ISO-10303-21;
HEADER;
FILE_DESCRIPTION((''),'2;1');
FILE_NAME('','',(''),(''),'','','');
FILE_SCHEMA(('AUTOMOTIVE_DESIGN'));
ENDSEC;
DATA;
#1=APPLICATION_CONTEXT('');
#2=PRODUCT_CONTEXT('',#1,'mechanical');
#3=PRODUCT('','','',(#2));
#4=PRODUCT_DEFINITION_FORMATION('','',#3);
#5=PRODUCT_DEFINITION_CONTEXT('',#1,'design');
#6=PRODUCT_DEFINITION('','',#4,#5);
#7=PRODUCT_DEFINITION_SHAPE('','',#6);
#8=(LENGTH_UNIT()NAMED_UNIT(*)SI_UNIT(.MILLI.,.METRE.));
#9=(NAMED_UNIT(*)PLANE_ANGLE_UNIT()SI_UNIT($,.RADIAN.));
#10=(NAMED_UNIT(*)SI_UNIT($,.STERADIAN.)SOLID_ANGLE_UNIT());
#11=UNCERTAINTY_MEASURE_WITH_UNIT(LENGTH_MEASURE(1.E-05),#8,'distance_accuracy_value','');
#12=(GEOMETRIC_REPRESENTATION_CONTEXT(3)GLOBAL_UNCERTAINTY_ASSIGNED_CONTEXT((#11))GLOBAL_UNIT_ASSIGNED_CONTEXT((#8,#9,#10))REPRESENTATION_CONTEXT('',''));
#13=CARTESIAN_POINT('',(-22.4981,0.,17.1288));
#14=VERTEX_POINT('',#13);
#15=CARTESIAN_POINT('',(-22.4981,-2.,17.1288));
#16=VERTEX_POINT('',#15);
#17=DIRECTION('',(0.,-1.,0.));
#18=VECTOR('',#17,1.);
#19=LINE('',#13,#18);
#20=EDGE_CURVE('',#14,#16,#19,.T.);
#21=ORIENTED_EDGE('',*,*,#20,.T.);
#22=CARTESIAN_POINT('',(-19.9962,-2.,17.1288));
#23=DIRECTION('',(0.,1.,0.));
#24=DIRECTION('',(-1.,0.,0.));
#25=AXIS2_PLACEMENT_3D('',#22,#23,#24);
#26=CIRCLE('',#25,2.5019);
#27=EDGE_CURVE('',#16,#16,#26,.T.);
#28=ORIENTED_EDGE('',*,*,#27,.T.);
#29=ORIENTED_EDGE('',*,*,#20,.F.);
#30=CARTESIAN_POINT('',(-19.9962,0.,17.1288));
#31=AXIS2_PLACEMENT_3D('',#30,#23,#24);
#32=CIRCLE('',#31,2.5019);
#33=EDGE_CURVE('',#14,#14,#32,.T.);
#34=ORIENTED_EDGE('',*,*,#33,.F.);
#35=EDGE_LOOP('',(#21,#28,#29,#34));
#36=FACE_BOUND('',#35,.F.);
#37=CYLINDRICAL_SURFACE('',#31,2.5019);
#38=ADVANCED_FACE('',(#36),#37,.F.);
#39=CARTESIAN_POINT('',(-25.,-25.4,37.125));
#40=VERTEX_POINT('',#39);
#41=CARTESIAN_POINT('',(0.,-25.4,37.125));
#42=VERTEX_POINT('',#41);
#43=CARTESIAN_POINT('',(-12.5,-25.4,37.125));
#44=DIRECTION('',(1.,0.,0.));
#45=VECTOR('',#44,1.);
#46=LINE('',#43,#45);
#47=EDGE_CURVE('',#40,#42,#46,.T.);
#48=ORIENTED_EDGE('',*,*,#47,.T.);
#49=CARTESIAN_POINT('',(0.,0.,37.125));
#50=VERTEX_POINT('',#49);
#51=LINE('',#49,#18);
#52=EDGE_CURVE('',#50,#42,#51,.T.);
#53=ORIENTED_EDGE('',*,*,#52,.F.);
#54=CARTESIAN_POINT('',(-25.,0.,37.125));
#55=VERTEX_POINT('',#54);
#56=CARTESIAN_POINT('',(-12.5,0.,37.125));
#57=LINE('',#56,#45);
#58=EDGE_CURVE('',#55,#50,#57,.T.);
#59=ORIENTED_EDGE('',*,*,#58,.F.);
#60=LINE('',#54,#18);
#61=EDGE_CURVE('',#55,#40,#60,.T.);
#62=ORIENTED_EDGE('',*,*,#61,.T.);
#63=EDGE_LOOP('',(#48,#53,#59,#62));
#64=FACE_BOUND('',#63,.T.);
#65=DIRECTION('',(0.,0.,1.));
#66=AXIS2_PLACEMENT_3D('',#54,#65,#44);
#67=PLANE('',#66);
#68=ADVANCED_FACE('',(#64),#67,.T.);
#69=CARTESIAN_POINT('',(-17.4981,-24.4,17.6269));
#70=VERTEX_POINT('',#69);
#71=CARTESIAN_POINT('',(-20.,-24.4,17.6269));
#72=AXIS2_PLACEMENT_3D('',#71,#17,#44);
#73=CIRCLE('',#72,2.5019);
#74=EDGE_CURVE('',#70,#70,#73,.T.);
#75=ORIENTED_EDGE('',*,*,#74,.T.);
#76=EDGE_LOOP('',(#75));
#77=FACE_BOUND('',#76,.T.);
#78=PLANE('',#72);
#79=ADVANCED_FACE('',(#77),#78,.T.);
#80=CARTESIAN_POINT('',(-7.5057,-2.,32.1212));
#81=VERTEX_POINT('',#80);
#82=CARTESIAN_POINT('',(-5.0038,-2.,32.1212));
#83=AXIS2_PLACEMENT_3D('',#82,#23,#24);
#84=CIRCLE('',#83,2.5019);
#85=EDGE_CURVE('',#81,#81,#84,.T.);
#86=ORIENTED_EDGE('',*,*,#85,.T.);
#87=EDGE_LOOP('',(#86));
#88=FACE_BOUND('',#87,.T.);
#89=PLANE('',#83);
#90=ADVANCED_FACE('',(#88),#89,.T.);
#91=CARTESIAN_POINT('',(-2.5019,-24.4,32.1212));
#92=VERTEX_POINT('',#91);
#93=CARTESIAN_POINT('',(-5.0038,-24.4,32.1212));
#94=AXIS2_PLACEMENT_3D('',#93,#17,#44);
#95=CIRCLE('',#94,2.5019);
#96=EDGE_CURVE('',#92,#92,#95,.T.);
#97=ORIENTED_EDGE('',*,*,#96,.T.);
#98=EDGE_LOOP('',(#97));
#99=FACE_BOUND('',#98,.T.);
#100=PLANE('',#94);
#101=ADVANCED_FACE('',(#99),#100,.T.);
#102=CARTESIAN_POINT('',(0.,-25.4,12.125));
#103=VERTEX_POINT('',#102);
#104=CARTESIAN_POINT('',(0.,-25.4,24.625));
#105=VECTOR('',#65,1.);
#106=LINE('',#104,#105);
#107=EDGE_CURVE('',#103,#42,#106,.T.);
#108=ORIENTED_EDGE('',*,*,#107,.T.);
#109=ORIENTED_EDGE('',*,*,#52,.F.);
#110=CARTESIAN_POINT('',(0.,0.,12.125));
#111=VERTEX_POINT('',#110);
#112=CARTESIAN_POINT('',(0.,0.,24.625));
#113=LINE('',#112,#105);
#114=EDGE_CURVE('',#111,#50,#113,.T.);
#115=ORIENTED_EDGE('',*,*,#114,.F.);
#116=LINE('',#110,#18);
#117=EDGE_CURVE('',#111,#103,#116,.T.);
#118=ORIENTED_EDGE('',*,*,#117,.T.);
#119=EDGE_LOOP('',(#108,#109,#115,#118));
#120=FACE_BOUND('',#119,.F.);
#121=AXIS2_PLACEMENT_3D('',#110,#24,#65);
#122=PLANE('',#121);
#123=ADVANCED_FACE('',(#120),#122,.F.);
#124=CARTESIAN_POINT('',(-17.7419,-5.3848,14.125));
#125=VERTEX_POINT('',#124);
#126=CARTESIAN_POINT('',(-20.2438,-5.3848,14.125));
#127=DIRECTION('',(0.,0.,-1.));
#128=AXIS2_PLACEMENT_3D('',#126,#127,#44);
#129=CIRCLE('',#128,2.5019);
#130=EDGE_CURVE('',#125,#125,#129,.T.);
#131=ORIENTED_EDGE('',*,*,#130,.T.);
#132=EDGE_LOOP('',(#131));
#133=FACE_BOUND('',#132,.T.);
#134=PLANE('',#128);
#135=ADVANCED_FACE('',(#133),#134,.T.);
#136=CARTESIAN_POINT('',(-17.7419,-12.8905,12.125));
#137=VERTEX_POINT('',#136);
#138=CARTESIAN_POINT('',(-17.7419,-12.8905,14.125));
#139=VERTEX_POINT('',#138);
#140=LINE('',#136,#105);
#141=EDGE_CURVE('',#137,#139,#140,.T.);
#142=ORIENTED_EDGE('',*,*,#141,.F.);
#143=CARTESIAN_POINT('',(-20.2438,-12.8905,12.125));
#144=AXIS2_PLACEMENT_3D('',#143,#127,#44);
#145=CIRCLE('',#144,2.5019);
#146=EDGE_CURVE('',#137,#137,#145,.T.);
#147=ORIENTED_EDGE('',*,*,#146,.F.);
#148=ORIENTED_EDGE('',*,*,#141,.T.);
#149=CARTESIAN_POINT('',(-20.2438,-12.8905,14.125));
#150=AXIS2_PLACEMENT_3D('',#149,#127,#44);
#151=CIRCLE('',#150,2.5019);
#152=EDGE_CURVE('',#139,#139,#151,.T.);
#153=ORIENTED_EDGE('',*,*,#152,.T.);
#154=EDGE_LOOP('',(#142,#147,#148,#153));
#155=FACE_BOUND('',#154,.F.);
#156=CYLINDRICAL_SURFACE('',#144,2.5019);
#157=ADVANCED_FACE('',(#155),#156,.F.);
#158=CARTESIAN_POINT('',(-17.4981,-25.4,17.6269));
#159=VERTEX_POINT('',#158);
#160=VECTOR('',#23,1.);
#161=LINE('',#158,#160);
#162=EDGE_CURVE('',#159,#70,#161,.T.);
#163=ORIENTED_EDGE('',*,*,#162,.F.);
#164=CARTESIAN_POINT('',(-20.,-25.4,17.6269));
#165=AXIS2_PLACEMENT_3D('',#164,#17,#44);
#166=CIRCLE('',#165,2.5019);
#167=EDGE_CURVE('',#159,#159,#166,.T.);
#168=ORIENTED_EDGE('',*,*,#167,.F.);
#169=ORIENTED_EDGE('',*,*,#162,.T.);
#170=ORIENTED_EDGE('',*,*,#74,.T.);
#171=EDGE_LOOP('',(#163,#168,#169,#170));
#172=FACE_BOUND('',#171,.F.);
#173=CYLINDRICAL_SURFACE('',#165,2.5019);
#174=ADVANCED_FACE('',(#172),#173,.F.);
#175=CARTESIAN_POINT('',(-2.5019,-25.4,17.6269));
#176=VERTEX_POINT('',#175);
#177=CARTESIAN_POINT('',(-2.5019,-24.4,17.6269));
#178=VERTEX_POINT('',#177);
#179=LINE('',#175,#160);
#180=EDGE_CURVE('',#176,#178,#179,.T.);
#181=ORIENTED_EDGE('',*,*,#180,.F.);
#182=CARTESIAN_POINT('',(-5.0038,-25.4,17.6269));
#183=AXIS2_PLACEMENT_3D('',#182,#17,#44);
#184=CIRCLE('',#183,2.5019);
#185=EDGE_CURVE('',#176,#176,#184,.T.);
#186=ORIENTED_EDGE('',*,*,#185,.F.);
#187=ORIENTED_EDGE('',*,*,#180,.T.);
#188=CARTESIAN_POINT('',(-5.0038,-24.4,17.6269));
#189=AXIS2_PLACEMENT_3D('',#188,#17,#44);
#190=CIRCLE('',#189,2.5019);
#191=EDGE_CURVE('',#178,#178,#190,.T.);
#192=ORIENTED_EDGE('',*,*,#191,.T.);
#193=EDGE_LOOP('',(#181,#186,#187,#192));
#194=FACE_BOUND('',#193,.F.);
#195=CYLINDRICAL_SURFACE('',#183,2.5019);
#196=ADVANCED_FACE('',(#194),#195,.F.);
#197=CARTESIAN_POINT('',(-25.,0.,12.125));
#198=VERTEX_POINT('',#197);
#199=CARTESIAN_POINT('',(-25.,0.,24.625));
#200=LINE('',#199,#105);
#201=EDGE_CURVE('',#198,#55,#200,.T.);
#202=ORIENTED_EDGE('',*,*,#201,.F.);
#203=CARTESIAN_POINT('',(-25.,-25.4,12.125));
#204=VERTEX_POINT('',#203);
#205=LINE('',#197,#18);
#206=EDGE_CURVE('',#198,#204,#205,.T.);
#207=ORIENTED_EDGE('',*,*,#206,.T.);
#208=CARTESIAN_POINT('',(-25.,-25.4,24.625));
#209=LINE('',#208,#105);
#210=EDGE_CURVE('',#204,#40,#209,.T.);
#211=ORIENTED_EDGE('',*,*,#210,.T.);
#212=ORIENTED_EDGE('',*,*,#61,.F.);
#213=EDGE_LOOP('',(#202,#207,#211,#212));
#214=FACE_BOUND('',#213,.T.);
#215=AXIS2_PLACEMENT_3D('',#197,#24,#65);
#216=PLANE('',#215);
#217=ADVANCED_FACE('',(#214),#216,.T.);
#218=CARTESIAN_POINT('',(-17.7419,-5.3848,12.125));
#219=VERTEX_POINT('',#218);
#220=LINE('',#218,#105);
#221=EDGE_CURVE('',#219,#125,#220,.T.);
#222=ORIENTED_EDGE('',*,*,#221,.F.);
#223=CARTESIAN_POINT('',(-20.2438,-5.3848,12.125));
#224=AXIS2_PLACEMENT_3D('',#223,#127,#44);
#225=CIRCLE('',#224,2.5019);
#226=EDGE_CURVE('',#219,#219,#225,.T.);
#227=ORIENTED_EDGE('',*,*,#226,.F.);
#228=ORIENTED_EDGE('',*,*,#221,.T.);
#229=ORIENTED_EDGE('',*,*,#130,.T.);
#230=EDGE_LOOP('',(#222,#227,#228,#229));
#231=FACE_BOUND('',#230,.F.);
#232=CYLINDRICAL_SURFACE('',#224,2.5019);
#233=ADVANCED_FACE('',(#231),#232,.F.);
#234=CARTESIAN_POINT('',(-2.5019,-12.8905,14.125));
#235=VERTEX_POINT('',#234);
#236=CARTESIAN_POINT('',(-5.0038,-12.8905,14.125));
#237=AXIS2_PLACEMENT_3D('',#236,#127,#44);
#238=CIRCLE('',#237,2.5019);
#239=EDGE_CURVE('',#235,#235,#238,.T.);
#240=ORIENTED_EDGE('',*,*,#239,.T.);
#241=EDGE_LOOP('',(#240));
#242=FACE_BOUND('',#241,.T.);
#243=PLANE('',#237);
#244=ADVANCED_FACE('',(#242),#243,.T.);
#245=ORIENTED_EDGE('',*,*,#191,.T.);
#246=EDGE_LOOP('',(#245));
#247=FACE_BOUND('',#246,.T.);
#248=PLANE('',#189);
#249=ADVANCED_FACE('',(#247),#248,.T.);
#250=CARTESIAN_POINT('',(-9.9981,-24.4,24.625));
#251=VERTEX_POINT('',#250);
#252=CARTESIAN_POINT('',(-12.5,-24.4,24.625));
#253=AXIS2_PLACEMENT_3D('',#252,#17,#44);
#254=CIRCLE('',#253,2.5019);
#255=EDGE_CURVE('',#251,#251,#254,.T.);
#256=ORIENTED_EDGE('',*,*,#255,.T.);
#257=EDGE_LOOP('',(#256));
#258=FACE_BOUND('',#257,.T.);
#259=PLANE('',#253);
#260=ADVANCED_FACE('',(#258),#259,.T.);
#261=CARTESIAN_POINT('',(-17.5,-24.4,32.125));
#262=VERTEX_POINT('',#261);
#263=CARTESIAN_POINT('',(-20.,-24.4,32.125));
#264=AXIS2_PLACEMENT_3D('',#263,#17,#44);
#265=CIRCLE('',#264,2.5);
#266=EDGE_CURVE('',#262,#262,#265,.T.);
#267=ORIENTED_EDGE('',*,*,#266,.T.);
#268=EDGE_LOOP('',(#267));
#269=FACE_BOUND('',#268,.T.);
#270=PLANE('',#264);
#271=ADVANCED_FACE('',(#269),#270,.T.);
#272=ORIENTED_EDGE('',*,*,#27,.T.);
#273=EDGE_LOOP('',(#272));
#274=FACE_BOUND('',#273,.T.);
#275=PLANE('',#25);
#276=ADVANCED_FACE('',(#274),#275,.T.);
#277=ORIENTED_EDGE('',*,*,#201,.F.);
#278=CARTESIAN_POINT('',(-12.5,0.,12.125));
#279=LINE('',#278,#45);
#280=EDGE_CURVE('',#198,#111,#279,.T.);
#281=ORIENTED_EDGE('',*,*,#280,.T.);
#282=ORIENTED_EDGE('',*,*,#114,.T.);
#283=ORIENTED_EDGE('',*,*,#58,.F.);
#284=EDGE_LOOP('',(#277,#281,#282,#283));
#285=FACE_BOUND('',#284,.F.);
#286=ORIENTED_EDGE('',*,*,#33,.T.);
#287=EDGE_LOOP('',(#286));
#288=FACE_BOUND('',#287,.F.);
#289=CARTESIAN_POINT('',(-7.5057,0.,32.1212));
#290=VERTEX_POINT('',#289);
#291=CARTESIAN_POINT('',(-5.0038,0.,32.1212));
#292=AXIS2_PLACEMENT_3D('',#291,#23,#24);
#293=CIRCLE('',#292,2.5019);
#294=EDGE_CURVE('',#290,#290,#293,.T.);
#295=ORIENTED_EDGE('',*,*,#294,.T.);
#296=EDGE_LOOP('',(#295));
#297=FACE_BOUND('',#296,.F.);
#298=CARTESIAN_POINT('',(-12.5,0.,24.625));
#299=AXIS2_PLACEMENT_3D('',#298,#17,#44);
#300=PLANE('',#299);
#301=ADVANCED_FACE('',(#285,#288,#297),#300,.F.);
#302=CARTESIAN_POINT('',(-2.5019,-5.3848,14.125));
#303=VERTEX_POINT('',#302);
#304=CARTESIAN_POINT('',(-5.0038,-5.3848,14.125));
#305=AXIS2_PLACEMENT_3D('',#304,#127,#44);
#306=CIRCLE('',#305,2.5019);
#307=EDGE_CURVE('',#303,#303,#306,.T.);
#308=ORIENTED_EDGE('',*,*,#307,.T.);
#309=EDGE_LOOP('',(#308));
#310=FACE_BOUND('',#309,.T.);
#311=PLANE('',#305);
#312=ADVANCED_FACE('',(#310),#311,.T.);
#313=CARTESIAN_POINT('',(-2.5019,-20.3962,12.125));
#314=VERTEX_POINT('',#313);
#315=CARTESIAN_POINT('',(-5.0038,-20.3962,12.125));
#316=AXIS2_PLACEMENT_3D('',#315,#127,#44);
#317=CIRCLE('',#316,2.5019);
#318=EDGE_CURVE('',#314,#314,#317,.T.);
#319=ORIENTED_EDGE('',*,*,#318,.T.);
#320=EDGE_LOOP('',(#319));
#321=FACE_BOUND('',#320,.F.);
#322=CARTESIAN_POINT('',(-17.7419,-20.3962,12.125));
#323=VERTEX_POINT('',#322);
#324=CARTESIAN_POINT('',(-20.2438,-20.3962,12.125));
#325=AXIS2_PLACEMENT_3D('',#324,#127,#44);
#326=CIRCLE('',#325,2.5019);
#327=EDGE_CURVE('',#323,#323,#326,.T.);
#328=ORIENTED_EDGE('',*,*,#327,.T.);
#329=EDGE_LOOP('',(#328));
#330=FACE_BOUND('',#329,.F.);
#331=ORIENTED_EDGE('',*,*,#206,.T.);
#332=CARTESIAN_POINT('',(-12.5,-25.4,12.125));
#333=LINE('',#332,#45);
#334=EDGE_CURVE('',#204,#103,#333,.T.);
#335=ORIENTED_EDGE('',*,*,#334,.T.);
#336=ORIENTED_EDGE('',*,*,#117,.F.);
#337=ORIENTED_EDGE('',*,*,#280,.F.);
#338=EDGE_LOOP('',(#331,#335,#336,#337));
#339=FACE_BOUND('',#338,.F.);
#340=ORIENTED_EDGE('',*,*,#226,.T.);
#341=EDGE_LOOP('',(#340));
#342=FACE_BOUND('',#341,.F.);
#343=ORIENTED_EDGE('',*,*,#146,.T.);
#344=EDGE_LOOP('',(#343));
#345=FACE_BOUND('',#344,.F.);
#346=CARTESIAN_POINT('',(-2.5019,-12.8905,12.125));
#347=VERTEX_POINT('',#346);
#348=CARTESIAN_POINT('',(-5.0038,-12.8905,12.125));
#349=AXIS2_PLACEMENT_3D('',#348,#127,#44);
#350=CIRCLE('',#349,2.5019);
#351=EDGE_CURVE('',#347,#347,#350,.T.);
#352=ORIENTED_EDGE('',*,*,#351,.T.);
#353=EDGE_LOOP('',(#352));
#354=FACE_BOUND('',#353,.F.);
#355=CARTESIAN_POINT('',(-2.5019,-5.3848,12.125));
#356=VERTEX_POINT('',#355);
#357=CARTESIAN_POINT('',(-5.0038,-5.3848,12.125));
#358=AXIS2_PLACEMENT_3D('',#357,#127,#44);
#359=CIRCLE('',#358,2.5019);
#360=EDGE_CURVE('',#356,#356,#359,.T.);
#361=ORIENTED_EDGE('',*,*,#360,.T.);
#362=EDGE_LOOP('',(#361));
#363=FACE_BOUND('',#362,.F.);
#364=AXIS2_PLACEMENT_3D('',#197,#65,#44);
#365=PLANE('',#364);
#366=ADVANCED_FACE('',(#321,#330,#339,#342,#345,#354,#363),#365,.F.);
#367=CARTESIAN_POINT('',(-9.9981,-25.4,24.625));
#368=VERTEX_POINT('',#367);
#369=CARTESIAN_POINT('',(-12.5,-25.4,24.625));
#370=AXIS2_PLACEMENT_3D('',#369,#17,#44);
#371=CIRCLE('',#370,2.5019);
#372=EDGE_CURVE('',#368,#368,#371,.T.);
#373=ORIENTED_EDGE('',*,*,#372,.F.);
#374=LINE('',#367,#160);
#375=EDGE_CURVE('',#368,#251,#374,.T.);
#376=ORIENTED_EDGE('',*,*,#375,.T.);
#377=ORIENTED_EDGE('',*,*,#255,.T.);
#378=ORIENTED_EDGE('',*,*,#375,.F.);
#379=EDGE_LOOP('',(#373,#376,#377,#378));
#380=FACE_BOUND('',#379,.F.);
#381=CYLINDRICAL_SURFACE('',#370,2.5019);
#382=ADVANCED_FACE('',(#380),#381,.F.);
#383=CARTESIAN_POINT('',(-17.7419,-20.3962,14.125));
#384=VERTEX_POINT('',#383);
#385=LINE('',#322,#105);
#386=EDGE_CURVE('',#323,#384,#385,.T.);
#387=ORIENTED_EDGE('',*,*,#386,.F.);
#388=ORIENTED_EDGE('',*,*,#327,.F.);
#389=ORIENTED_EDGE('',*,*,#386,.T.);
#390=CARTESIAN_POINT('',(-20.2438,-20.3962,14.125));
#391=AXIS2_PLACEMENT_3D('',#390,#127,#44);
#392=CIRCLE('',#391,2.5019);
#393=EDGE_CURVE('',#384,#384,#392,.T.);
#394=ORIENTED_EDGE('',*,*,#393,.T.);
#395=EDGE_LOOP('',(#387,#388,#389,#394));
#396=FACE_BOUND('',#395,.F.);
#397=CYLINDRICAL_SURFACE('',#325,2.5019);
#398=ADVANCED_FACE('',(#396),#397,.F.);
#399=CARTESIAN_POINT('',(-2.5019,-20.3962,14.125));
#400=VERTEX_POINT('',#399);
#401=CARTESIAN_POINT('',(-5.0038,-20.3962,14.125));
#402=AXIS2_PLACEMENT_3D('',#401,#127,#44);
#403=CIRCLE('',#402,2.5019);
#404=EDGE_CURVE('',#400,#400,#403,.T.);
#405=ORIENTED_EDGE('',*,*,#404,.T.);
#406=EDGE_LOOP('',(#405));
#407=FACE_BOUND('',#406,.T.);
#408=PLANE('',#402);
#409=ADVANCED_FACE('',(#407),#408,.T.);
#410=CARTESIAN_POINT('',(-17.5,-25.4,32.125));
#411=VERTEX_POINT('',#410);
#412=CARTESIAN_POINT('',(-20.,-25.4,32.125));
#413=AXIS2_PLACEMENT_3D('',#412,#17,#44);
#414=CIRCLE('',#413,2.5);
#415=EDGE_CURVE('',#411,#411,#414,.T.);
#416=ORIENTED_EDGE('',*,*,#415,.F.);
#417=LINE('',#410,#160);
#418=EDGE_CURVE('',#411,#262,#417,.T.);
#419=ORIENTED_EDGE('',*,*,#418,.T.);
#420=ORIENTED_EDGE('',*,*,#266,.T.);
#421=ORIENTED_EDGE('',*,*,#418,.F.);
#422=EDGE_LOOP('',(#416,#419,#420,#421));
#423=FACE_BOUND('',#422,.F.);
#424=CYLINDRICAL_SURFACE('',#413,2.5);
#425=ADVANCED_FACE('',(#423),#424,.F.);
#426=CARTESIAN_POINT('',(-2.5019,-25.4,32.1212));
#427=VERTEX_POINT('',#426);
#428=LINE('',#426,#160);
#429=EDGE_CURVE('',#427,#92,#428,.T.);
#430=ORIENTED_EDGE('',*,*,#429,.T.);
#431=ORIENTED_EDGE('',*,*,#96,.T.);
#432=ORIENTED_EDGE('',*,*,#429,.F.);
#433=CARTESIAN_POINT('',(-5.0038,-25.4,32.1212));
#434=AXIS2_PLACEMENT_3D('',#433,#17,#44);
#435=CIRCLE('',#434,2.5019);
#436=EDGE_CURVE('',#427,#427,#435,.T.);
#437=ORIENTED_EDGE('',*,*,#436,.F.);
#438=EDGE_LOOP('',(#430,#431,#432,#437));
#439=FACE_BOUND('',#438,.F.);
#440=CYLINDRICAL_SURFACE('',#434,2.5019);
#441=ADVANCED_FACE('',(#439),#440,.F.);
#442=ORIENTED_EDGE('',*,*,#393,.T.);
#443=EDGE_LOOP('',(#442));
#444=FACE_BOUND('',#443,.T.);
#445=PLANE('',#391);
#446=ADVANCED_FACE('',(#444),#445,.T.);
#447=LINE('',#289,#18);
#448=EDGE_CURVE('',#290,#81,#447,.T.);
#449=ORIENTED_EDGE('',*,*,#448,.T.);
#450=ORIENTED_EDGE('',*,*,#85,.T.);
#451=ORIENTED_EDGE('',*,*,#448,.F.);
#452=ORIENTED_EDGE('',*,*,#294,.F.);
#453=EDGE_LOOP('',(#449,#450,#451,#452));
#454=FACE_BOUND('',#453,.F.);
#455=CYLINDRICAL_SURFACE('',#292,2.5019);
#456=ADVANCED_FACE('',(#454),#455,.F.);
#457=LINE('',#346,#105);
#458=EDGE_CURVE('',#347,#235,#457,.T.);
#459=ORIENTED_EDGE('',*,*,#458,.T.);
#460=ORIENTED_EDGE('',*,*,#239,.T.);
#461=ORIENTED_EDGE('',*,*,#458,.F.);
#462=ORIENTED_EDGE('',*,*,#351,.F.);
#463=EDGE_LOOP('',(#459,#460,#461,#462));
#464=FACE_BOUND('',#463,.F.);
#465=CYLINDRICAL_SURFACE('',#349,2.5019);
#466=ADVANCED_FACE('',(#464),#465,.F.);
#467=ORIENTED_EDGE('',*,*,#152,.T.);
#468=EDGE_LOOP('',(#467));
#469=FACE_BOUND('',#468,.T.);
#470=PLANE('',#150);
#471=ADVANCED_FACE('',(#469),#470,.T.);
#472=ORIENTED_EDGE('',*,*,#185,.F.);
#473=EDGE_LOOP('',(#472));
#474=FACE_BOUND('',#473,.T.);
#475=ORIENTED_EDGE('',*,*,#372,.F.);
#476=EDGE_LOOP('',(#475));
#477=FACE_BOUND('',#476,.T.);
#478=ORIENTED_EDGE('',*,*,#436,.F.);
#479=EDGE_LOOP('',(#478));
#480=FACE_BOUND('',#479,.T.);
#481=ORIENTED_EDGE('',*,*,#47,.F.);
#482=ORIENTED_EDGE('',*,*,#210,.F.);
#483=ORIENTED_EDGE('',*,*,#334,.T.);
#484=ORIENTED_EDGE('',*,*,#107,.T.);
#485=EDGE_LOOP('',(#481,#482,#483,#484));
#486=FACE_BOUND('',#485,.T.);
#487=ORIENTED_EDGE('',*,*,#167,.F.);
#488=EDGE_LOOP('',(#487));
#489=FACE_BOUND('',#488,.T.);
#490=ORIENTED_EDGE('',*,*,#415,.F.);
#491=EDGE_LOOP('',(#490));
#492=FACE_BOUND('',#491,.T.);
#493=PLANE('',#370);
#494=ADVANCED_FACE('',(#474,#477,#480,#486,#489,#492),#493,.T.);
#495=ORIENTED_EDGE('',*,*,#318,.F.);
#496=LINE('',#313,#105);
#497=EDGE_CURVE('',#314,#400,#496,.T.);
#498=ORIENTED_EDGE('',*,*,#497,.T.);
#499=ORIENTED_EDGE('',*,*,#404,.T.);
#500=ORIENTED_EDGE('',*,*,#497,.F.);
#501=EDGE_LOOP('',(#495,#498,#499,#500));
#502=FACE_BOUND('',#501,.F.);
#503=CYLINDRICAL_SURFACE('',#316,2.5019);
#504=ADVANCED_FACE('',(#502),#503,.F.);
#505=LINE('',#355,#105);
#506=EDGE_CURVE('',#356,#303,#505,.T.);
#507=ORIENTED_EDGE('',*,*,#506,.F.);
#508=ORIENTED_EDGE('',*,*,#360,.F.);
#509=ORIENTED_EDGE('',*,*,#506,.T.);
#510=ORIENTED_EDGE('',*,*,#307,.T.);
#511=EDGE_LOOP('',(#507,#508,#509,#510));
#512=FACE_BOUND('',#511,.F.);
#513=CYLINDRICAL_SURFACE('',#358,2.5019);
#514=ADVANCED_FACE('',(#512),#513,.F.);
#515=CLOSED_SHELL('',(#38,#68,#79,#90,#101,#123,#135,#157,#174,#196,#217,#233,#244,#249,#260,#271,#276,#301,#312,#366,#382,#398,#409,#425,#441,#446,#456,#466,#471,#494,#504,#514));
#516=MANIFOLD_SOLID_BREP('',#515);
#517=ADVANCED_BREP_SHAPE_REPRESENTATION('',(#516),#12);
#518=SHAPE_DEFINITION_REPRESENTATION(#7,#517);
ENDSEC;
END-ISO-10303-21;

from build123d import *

# Parameters (mm, degrees)
F0_W     = 25
F0_H     = 25
F1_DEPTH = 25.4
F2_R     = 2.5
F2_R_2   = 2.5019
F3_DEPTH = 1
F4_R     = 2.5019
F5_DEPTH = 2
F6_R     = 2.5019
F7_DEPTH = 2


with BuildPart() as f1:
    # F0 (on Front) → F1 (new body)
    with BuildSketch(Plane.XZ):
        with Locations((-12.5, 24.625)):
            Rectangle(F0_W, F0_H)
    extrude(amount=F1_DEPTH)

    # F2 (on face) → F3 (cut)
    with BuildSketch(Plane.XZ.offset(25.4)):
        with Locations((-20, 32.125)):
            Circle(F2_R)
        with Locations((-12.5, 24.625)):
            Circle(F2_R_2)
        with Locations((-5.0038, 32.1212)):
            Circle(F2_R_2)
        with Locations((-5.0038, 17.6269)):
            Circle(F2_R_2)
        with Locations((-20, 17.6269)):
            Circle(F2_R_2)
    extrude(amount=-F3_DEPTH, mode=Mode.SUBTRACT)

    # F4 (on face) → F5 (cut)
    with BuildSketch(Plane(origin=(0, 0, 0), x_dir=(-1, 0, 0), z_dir=(0, 1, 0))):
        with Locations((5.0038, 32.1212)):
            Circle(F4_R)
        with Locations((19.9962, 17.1288)):
            Circle(F4_R)
    extrude(amount=-F5_DEPTH, mode=Mode.SUBTRACT)

    # F6 (on face) → F7 (cut)
    with BuildSketch(Plane(origin=(0, 0, 12.125), x_dir=(1, 0, 0), z_dir=(0, 0, -1))):
        with Locations((-5.0038, 5.3848)):
            Circle(F6_R)
        with Locations((-20.2438, 12.8905)):
            Circle(F6_R)
        with Locations((-5.0038, 12.8905)):
            Circle(F6_R)
        with Locations((-5.0038, 20.3962)):
            Circle(F6_R)
        with Locations((-20.2438, 20.3962)):
            Circle(F6_R)
        with Locations((-20.2438, 5.3848)):
            Circle(F6_R)
    extrude(amount=-F7_DEPTH, mode=Mode.SUBTRACT)


solid = f1.part
